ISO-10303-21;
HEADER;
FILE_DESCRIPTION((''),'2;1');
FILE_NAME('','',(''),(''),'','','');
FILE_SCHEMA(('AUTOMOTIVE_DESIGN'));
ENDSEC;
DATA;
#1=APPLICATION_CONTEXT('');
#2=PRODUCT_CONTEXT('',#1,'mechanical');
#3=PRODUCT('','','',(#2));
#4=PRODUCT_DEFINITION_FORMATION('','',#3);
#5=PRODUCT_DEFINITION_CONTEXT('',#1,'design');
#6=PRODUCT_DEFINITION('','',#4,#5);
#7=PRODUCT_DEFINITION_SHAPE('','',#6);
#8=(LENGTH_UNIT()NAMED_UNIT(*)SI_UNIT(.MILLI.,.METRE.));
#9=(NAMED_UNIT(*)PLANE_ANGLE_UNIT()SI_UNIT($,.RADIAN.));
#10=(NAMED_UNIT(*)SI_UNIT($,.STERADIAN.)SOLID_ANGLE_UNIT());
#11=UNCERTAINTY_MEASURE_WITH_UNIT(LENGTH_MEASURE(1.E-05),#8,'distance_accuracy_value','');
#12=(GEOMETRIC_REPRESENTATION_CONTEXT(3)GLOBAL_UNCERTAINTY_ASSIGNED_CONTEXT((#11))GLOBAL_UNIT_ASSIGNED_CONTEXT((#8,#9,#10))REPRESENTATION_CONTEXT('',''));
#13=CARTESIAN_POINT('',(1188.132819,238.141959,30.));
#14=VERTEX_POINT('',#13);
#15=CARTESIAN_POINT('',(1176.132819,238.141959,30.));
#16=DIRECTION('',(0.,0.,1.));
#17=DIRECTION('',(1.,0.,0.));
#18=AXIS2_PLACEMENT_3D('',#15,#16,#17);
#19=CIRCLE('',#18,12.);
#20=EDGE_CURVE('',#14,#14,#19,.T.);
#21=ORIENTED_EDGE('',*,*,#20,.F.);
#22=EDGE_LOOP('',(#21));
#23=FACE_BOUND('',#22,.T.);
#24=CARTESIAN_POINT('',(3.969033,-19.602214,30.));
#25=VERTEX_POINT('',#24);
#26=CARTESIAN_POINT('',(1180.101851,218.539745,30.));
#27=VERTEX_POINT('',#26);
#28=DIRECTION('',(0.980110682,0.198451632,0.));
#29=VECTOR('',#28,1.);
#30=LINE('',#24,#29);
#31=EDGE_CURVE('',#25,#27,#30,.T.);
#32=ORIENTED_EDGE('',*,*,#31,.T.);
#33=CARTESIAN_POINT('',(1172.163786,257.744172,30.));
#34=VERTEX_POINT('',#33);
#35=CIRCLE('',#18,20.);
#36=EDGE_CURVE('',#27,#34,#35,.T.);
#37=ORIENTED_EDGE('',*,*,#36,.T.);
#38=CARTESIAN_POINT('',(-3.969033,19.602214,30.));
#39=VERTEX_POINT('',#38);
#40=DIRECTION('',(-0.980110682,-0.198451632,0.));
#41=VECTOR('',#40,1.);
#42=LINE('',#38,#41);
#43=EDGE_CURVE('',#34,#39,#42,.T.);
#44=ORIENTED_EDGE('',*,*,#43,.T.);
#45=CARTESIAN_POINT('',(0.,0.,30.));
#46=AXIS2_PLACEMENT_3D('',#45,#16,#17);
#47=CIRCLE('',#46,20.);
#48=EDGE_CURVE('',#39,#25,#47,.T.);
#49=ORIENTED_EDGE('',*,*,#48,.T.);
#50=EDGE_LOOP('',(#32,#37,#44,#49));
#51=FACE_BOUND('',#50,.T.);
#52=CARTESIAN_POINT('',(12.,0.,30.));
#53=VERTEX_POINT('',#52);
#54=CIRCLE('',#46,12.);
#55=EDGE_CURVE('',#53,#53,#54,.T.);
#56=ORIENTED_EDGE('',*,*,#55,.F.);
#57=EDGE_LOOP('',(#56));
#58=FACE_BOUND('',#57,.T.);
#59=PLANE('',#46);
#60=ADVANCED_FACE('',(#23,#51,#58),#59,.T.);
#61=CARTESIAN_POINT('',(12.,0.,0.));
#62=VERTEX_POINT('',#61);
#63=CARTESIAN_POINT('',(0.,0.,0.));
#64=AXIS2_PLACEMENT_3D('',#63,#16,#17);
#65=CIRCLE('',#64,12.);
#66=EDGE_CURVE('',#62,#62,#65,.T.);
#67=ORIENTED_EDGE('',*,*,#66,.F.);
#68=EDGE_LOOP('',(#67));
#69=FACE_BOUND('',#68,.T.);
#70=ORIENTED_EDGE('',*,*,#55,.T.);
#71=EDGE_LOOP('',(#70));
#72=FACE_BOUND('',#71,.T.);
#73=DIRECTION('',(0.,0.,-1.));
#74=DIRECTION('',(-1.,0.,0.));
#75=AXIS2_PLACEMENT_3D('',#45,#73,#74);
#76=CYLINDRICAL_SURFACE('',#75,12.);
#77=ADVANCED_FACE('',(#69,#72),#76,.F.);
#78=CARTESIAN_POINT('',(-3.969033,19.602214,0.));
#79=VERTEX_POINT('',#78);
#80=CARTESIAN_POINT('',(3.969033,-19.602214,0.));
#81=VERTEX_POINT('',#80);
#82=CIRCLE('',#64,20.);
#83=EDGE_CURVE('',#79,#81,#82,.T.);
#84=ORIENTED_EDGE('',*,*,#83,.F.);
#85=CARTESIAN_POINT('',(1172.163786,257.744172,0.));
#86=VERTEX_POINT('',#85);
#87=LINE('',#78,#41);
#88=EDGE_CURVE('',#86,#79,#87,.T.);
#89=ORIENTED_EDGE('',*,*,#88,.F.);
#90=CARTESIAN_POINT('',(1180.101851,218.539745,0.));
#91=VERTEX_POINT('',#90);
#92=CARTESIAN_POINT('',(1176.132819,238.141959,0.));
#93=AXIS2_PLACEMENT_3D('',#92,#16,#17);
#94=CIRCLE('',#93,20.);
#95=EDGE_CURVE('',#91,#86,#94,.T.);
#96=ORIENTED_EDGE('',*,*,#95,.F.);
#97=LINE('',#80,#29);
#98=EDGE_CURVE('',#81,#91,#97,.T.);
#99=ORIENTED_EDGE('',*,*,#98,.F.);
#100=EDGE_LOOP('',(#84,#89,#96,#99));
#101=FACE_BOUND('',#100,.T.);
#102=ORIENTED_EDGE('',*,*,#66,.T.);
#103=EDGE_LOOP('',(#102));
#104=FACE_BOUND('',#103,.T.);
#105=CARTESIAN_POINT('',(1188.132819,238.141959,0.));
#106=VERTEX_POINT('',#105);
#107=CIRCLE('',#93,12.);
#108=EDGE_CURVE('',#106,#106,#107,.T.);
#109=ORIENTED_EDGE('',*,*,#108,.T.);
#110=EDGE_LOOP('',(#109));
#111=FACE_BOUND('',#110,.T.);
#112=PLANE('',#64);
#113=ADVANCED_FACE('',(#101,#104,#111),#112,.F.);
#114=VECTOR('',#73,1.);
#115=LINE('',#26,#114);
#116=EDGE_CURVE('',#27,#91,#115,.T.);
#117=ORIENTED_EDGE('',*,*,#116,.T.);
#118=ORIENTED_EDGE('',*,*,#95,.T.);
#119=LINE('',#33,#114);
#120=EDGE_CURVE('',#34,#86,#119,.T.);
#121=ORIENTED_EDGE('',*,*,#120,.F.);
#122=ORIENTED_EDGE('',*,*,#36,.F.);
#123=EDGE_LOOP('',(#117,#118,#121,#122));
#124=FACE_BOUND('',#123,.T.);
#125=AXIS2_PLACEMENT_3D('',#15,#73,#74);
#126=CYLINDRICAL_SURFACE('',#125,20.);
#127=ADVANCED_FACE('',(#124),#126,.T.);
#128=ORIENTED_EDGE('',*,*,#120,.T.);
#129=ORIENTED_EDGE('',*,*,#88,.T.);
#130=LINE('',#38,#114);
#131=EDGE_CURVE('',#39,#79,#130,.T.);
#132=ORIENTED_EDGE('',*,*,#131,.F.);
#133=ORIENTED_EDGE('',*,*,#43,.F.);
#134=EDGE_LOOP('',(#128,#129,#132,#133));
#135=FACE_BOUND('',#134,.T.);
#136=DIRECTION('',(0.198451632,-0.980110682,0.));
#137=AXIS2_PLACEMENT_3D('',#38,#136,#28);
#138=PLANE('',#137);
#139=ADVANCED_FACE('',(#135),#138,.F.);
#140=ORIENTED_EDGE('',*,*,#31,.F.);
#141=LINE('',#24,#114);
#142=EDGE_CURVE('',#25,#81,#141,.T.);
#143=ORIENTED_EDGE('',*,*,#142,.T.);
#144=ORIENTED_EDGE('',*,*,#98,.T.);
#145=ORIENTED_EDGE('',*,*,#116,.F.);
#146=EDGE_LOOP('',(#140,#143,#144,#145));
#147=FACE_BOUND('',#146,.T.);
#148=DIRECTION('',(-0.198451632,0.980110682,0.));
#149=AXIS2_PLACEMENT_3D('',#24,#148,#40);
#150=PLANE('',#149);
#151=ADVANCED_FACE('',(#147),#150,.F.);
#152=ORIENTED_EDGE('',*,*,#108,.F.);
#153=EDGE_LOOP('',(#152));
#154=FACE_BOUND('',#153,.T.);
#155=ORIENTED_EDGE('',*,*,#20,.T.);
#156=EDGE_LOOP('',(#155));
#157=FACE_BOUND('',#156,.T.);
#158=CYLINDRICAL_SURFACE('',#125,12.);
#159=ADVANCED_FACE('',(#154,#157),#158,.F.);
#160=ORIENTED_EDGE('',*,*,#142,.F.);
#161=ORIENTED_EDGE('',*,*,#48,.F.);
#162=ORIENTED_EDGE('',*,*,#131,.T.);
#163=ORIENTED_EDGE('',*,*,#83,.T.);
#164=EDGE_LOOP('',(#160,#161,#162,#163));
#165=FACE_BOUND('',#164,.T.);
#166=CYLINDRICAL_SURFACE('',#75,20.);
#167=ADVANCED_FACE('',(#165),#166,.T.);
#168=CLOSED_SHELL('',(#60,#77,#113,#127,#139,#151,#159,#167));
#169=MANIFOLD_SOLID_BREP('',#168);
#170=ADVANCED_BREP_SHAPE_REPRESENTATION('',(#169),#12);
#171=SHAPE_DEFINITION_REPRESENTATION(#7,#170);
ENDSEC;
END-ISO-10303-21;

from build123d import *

# Parameters (mm, degrees)
SKETCH1_R           = 12
BOSS_EXTRUDE1_DEPTH = 30


with BuildPart() as part:
    # Sketch1 → Boss-Extrude1 (new body)
    with BuildSketch(Plane.XY):
        with BuildLine():
            Line((-3.969032643, 19.602213647), (1172.163786197, 257.744172248))
            ThreePointArc((1172.163786197, 257.744172248), (1195.735032488, 242.110991244), (1180.101851484, 218.539744953))
            Line((1180.101851484, 218.539744953), (3.969032643, -19.602213647))
            ThreePointArc((3.969032643, -19.602213647), (-19.602213647, -3.969032643), (-3.969032643, 19.602213647))
        make_face()
        Circle(SKETCH1_R, mode=Mode.SUBTRACT)
        with Locations((1176.132818841, 238.1419586)):
            Circle(SKETCH1_R, mode=Mode.SUBTRACT)
    extrude(amount=BOSS_EXTRUDE1_DEPTH)


solid = part.part
